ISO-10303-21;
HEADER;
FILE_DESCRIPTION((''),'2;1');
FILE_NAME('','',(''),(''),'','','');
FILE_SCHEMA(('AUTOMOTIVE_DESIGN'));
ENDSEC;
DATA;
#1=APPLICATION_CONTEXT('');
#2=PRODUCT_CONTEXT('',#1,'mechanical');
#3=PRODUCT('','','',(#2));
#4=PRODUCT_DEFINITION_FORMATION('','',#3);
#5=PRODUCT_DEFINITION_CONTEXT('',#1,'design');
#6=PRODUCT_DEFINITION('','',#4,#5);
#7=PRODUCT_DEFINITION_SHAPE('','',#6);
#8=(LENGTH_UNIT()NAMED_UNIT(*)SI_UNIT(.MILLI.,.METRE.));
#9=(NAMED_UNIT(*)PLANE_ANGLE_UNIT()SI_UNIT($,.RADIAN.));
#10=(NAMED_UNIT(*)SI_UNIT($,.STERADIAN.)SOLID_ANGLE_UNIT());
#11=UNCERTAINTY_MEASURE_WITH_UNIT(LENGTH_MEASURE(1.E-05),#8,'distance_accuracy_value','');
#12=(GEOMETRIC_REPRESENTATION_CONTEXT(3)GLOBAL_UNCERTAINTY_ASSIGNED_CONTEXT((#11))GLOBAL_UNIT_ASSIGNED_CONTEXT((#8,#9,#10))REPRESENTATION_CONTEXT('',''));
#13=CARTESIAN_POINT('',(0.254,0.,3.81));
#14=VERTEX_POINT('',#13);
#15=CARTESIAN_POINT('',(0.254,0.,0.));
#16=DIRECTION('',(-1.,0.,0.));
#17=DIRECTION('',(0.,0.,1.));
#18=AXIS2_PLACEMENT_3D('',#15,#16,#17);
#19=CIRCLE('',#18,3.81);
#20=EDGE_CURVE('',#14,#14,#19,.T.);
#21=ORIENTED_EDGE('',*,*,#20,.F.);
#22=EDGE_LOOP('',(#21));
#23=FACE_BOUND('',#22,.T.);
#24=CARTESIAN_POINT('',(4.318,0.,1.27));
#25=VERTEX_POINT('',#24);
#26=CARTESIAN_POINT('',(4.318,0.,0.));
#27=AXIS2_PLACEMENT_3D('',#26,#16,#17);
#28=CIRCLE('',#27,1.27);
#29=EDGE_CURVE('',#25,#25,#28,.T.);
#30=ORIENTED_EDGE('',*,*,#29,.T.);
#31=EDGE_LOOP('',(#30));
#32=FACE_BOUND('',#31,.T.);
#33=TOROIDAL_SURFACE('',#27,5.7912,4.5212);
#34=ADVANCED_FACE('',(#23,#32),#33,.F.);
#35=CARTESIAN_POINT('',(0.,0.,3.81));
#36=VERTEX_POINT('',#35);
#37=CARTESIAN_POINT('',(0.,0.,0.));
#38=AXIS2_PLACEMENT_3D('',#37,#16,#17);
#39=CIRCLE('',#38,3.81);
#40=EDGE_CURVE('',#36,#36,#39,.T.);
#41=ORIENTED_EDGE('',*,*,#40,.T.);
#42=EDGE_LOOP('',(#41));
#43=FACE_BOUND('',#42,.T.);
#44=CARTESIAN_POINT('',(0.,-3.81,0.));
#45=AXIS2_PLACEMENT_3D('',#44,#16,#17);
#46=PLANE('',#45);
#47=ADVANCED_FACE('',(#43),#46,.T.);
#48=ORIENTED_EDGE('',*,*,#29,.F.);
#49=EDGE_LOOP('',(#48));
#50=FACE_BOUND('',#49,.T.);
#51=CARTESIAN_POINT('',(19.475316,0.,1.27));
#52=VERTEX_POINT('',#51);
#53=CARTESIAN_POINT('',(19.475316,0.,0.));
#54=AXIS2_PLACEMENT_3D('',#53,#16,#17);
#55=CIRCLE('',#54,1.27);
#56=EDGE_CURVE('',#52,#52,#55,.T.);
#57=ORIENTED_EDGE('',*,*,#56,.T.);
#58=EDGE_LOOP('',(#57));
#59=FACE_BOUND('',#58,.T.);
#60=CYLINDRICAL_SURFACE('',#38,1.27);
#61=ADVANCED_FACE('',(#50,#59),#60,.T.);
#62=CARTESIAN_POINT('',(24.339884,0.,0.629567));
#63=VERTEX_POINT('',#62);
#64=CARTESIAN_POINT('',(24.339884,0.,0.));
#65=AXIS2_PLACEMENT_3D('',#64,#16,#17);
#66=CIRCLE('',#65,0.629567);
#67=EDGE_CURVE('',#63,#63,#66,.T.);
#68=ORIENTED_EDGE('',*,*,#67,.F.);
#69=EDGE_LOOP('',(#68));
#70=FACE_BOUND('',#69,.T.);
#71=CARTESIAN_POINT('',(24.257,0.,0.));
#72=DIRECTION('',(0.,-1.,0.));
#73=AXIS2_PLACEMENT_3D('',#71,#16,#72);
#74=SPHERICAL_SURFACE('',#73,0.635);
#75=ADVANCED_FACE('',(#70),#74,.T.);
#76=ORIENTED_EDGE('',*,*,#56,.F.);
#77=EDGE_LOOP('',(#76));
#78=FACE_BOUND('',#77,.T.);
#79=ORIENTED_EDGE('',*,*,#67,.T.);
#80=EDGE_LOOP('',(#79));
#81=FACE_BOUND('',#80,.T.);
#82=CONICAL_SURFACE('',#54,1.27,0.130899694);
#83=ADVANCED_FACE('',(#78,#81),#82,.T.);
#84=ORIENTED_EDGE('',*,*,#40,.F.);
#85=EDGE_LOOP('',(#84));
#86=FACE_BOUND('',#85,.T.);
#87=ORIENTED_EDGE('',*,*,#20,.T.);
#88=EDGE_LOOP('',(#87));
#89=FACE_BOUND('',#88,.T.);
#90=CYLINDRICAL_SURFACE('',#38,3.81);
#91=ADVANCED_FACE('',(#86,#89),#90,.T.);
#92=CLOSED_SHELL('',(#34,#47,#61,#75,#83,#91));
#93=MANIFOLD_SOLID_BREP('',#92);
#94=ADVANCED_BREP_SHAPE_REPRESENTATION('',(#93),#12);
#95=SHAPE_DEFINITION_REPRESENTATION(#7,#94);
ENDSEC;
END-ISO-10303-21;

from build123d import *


with BuildPart() as part:
    # Sketch1 → Revolve1 (revolve)
    with BuildSketch(Plane.XY, mode=Mode.PRIVATE) as revolve1_sk:
        with BuildLine():
            Line((0, -3.81), (0, 0))
            Line((0, 0), (24.892, 0))
            ThreePointArc((24.892, 0), (24.734418278, -0.418684593), (24.339884132, -0.629567487))
            Line((24.339884132, -0.629567487), (19.475316237, -1.27))
            Line((19.475316237, -1.27), (4.318, -1.27))
            ThreePointArc((4.318, -1.27), (1.921768792, -1.957230068), (0.254, -3.81))
            Line((0.254, -3.81), (0, -3.81))
        make_face()
    revolve(revolve1_sk.sketch.rotate(Axis((0, 0, 0), (1, 0, 0)), 270), axis=Axis((0, 0, 0), (1, 0, 0)))


solid = part.part
